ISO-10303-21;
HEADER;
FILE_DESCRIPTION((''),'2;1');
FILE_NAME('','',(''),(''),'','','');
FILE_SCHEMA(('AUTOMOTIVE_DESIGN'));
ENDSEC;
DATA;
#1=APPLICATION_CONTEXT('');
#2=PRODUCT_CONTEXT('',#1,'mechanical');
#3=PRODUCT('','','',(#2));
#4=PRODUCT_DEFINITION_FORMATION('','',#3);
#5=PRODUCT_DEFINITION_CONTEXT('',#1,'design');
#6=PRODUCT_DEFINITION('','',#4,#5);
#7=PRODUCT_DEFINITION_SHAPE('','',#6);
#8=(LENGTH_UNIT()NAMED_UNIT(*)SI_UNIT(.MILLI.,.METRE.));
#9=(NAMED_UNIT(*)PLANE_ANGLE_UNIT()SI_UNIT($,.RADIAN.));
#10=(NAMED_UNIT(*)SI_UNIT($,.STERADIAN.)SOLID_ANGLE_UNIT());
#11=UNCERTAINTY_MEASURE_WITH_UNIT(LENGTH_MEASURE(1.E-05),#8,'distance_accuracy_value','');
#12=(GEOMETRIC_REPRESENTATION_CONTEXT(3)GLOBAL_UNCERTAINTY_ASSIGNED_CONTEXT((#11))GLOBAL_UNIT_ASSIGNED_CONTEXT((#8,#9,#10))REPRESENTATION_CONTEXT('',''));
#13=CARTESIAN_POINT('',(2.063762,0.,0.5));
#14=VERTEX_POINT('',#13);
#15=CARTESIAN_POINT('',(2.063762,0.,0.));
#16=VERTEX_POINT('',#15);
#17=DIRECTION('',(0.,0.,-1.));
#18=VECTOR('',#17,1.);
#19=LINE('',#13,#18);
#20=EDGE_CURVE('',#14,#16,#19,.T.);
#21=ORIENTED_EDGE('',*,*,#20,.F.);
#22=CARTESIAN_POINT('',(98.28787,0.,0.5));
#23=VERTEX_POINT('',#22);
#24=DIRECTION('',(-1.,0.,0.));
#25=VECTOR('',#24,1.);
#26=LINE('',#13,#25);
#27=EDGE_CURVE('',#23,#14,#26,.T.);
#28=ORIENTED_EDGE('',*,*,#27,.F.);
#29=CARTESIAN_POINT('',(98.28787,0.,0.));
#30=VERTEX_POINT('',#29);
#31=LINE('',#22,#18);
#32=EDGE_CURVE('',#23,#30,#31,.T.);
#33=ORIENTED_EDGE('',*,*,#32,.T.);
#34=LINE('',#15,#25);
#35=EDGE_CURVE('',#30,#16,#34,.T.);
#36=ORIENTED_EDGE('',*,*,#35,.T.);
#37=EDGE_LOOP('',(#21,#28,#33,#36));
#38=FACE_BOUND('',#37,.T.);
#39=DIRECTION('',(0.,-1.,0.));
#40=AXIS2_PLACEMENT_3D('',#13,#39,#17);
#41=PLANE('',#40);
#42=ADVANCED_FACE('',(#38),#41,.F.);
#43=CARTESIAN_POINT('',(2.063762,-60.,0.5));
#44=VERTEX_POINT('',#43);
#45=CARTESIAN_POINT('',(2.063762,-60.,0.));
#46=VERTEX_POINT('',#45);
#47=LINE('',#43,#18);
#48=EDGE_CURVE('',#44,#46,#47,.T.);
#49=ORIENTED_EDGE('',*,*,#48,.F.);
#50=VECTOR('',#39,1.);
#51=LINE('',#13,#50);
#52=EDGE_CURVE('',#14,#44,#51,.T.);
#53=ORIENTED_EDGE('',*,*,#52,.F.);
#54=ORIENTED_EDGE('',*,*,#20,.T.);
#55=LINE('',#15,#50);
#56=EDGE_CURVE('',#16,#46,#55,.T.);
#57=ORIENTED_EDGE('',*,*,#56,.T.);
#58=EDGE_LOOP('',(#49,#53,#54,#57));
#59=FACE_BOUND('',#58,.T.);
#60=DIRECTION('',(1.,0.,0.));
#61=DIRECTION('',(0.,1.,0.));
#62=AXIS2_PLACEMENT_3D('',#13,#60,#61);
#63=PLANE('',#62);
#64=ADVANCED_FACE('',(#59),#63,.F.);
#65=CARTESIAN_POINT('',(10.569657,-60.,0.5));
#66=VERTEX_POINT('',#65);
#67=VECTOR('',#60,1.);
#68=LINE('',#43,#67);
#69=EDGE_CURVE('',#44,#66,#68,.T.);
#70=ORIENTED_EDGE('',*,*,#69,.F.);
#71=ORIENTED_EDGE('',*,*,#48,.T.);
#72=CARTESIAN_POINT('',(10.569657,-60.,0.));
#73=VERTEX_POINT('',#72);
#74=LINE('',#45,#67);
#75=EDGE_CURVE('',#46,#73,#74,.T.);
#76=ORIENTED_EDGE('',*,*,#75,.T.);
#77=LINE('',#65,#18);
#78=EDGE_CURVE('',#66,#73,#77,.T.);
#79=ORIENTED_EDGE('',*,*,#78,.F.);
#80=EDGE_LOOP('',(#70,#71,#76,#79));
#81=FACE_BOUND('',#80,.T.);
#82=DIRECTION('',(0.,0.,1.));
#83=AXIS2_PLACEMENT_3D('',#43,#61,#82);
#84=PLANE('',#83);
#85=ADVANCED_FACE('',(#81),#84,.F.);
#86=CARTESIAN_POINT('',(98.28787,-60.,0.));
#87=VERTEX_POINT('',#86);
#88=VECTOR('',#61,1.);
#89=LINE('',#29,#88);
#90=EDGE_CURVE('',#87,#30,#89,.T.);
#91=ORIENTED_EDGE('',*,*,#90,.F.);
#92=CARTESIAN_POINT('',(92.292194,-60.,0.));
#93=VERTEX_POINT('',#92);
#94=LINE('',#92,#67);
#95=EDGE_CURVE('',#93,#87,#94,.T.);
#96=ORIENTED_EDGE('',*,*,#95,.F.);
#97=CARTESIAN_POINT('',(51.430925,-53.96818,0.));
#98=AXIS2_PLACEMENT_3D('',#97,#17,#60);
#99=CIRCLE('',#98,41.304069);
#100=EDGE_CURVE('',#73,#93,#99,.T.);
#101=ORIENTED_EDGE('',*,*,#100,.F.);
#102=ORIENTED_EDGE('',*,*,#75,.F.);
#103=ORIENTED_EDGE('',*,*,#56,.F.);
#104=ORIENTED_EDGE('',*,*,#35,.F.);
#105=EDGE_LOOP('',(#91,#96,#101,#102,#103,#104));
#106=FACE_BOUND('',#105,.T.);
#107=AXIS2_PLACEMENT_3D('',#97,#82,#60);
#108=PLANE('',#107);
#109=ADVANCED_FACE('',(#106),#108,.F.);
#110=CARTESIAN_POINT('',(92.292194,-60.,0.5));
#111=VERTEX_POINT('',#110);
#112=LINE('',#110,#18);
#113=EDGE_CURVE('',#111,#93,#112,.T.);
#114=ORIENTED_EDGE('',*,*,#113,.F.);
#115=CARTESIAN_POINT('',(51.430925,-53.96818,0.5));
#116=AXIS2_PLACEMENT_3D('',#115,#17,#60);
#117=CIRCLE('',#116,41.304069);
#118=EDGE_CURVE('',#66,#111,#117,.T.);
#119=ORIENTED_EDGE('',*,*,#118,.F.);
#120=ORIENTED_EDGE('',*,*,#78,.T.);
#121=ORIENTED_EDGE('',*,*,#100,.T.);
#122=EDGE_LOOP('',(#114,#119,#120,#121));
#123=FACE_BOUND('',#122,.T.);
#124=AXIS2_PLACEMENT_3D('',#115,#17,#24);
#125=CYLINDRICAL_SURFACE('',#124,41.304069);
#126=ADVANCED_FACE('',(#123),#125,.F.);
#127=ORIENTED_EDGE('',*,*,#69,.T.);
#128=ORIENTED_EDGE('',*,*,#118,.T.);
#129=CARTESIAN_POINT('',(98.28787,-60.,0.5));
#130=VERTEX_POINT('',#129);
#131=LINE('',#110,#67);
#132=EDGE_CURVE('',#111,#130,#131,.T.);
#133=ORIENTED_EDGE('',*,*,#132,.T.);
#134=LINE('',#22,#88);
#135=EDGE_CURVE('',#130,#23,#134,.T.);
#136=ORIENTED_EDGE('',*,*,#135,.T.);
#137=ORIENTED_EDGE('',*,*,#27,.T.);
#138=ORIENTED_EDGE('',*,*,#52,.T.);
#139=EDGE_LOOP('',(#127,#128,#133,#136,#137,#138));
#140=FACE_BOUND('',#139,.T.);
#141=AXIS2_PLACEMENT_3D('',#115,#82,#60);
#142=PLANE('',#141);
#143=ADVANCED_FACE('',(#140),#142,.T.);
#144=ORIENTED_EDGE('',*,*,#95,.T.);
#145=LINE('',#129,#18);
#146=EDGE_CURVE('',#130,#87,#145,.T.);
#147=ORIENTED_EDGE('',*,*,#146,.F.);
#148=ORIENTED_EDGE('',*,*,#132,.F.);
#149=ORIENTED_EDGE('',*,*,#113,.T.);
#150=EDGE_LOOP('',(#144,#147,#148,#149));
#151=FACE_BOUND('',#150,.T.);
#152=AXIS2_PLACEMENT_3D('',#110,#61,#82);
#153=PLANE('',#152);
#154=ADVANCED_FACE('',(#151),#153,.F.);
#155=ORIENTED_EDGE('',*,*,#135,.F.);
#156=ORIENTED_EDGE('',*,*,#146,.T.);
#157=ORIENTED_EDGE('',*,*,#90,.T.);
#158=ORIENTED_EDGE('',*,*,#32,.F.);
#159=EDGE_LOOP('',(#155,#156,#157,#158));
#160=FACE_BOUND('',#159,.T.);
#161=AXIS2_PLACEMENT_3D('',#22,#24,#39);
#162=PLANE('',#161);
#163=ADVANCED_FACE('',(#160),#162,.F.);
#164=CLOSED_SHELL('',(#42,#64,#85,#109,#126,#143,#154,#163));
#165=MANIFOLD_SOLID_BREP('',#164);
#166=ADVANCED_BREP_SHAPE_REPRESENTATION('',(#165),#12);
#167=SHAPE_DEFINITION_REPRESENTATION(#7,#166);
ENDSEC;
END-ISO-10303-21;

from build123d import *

# Parameters (mm, degrees)
EXTRUDE_1_DEPTH = 0.5


with BuildPart() as part:
    # Эскиз1 → Вытянуть1 (new body)
    with BuildSketch(Plane.XY):
        with BuildLine():
            Line((2.063762187, -60), (10.569656745, -60))
            ThreePointArc((10.569656745, -60), (51.430925196, -12.664111557), (92.292193648, -60))
            Line((92.292193648, -60), (98.287869977, -60))
            Line((98.287869977, -60), (98.287869977, 0))
            Line((98.287869977, 0), (2.063762187, 0))
            Line((2.063762187, 0), (2.063762187, -60))
        make_face()
    extrude(amount=EXTRUDE_1_DEPTH)


solid = part.part
